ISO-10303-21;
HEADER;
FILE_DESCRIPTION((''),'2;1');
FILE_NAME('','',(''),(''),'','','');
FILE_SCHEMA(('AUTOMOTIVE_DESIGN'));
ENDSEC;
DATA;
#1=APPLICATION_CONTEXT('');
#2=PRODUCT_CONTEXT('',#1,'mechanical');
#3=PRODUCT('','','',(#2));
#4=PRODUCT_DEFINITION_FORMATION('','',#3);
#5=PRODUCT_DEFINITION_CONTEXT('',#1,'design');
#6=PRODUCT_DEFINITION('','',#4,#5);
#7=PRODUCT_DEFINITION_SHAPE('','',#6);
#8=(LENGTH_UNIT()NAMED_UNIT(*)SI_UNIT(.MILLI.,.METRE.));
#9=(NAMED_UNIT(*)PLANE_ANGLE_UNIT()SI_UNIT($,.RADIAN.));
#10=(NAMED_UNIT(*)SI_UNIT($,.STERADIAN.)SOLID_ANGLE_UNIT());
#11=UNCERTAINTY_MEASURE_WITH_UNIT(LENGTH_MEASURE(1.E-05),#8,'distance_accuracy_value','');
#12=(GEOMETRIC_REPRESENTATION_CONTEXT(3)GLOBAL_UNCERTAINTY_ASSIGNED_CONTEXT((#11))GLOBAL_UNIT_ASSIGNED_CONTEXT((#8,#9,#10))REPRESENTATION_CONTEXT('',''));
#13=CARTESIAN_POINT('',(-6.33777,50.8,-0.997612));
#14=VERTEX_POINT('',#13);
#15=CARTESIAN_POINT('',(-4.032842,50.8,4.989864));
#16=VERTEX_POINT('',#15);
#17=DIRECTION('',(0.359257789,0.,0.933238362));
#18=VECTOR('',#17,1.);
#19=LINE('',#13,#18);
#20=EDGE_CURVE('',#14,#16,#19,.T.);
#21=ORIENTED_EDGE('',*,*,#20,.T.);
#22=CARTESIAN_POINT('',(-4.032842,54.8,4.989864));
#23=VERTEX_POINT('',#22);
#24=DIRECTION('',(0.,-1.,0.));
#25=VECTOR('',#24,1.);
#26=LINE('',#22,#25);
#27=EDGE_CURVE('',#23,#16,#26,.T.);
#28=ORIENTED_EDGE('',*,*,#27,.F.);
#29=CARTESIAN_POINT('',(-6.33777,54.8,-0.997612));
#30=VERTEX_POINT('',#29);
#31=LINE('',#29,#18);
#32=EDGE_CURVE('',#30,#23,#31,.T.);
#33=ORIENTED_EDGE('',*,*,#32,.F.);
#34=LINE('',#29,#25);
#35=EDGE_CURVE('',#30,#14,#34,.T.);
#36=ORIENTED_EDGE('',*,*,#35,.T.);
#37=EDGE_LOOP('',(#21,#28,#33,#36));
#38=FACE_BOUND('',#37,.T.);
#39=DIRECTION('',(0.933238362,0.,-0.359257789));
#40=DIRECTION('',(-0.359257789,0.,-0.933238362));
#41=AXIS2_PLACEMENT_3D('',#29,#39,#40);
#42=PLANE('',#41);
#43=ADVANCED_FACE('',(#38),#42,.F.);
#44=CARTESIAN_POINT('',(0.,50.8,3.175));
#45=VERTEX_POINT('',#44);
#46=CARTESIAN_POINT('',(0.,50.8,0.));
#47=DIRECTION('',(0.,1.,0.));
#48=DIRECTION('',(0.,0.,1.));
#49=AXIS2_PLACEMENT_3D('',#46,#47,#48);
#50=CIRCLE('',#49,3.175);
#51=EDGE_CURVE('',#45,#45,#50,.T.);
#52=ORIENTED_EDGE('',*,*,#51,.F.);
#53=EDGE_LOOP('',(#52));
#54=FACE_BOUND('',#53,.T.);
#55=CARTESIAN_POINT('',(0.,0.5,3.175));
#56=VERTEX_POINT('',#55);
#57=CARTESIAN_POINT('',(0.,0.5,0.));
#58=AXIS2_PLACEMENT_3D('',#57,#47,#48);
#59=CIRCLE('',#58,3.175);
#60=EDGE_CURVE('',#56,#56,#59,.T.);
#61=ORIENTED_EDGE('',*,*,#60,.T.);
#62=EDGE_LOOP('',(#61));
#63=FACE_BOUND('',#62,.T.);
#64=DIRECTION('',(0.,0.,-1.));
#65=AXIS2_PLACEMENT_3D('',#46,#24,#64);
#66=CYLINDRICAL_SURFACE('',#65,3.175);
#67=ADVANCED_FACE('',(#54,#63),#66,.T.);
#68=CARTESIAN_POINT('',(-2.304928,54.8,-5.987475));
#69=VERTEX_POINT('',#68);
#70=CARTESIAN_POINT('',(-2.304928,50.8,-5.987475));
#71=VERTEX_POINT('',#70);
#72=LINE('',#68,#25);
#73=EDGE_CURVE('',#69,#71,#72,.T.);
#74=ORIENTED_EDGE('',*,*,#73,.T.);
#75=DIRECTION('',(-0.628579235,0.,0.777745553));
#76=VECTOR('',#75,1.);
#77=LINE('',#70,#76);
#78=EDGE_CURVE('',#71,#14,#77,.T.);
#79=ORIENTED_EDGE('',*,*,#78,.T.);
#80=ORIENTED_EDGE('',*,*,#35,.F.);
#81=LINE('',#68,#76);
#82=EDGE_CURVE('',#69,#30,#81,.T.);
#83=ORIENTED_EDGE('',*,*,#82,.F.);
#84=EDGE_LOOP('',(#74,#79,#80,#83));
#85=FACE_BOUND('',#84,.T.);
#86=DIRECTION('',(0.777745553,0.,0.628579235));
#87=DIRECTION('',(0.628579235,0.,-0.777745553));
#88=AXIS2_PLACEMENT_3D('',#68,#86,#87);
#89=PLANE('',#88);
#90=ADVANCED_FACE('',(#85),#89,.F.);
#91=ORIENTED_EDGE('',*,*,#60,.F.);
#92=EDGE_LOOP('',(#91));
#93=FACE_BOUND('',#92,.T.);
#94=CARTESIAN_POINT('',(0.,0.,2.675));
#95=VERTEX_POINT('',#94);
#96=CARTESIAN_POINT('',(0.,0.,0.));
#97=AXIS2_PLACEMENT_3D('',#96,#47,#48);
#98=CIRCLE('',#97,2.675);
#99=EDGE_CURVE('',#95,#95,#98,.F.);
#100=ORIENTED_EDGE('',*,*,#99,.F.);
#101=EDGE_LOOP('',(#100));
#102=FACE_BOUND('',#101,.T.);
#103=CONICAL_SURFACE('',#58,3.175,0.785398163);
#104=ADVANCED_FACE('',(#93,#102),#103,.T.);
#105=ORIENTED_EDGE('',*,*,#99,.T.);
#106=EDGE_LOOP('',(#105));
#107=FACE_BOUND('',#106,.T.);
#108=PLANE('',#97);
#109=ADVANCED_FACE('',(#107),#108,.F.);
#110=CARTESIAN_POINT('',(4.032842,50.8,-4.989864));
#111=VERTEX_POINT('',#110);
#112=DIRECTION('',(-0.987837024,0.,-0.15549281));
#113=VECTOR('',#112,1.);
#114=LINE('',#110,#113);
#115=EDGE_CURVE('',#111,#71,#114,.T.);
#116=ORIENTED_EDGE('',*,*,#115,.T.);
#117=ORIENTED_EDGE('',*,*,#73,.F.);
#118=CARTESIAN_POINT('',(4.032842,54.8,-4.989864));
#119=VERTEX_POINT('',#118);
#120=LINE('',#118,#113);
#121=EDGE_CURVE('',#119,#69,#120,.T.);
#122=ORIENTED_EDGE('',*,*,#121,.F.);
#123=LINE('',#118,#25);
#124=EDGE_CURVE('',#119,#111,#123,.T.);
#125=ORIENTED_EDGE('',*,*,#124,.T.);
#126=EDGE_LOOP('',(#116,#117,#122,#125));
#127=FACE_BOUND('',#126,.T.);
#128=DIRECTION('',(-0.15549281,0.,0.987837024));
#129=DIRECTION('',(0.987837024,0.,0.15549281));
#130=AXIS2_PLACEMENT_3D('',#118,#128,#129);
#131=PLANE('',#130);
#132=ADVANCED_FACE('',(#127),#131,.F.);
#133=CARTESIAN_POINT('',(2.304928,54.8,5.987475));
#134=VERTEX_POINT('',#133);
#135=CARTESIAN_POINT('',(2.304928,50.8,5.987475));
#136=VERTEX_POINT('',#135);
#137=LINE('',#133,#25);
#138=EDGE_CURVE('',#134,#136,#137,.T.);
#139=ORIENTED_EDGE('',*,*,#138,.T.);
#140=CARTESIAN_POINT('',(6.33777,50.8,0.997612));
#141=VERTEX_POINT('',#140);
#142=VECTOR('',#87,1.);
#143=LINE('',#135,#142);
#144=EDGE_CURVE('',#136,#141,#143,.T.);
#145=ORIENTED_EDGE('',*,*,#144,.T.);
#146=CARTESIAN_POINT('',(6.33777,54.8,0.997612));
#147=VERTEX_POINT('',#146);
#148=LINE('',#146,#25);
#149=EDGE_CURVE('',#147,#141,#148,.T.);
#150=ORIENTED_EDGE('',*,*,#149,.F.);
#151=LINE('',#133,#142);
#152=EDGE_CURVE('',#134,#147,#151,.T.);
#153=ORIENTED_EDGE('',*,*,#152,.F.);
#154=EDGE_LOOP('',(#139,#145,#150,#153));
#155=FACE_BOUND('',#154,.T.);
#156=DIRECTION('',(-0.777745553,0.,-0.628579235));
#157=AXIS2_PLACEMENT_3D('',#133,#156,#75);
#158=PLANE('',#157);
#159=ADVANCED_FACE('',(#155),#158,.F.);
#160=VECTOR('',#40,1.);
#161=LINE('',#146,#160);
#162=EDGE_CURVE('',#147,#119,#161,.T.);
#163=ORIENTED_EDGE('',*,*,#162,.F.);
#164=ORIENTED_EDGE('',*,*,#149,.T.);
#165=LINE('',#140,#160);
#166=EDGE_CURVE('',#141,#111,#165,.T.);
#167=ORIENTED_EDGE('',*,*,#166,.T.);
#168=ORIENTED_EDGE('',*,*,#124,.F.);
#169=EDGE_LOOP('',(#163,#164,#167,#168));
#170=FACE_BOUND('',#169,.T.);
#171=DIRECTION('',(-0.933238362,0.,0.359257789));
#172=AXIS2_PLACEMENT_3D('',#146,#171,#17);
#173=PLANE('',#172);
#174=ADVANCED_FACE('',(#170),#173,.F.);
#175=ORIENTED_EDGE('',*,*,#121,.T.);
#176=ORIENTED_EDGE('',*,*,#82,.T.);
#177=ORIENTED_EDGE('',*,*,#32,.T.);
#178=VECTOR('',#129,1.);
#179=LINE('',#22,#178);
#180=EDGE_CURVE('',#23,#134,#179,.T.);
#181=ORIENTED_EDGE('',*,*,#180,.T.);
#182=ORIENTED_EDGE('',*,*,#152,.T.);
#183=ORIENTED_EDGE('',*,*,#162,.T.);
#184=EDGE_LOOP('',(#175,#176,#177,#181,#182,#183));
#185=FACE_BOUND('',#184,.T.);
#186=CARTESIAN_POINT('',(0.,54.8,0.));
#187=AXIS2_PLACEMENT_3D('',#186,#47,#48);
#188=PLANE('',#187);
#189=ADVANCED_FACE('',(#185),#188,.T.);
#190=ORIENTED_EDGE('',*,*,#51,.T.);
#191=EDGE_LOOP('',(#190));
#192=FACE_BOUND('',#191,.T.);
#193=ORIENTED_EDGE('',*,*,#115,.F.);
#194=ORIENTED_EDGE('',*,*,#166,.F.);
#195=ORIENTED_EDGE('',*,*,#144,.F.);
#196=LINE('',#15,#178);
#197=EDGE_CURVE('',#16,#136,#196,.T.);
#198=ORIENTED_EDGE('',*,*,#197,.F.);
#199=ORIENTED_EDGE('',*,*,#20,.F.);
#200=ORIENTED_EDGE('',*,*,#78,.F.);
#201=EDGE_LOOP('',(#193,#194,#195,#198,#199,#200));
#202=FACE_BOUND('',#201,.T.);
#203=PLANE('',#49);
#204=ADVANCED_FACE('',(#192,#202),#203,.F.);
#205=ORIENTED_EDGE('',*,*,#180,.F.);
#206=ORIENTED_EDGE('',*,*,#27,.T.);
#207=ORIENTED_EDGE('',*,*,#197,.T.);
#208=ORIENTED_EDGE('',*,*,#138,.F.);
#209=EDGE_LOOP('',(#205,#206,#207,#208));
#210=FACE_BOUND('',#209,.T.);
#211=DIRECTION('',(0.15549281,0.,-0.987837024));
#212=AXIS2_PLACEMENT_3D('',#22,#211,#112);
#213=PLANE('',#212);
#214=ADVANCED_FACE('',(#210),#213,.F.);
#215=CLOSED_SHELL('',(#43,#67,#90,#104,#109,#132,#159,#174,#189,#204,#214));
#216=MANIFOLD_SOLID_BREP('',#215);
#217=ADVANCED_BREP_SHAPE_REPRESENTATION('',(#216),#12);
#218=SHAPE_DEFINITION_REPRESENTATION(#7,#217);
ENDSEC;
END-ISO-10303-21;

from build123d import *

# Parameters (mm, degrees)
SKETCH1_R           = 3.175
BOSS_EXTRUDE1_DEPTH = 50.8
BOSS_EXTRUDE2_DEPTH = 4
CHAMFER1_SIZE       = 0.5


with BuildPart() as part:
    # Sketch1 → Boss-Extrude1 (new body)
    with BuildSketch(Plane(origin=(0, 0, 0), x_dir=(1, 0, 0), z_dir=(0, 1, 0))):
        with Locations(Location((0, 0, 0), (0, 0, 270))):
            Circle(SKETCH1_R)
    extrude(amount=BOSS_EXTRUDE1_DEPTH)

    # Sketch2 → Boss-Extrude2 (add)
    with BuildSketch(Plane(origin=(0, 50.8, 0), x_dir=(1, 0, 0), z_dir=(0, 1, 0))):
        Polygon((-2.30492787, 5.987475227), (-6.337769586, 0.997611524), (-4.032841716, -4.989863703), (2.30492787, -5.987475227), (6.337769586, -0.997611524), (4.032841716, 4.989863703), align=None)
    extrude(amount=BOSS_EXTRUDE2_DEPTH)

    # Chamfer1
    chamfer1_edges = [part.edges().sort_by_distance(p)[0] for p in [
        (0, 0, -3.175),
    ]]
    chamfer(chamfer1_edges, length=CHAMFER1_SIZE)


solid = part.part
